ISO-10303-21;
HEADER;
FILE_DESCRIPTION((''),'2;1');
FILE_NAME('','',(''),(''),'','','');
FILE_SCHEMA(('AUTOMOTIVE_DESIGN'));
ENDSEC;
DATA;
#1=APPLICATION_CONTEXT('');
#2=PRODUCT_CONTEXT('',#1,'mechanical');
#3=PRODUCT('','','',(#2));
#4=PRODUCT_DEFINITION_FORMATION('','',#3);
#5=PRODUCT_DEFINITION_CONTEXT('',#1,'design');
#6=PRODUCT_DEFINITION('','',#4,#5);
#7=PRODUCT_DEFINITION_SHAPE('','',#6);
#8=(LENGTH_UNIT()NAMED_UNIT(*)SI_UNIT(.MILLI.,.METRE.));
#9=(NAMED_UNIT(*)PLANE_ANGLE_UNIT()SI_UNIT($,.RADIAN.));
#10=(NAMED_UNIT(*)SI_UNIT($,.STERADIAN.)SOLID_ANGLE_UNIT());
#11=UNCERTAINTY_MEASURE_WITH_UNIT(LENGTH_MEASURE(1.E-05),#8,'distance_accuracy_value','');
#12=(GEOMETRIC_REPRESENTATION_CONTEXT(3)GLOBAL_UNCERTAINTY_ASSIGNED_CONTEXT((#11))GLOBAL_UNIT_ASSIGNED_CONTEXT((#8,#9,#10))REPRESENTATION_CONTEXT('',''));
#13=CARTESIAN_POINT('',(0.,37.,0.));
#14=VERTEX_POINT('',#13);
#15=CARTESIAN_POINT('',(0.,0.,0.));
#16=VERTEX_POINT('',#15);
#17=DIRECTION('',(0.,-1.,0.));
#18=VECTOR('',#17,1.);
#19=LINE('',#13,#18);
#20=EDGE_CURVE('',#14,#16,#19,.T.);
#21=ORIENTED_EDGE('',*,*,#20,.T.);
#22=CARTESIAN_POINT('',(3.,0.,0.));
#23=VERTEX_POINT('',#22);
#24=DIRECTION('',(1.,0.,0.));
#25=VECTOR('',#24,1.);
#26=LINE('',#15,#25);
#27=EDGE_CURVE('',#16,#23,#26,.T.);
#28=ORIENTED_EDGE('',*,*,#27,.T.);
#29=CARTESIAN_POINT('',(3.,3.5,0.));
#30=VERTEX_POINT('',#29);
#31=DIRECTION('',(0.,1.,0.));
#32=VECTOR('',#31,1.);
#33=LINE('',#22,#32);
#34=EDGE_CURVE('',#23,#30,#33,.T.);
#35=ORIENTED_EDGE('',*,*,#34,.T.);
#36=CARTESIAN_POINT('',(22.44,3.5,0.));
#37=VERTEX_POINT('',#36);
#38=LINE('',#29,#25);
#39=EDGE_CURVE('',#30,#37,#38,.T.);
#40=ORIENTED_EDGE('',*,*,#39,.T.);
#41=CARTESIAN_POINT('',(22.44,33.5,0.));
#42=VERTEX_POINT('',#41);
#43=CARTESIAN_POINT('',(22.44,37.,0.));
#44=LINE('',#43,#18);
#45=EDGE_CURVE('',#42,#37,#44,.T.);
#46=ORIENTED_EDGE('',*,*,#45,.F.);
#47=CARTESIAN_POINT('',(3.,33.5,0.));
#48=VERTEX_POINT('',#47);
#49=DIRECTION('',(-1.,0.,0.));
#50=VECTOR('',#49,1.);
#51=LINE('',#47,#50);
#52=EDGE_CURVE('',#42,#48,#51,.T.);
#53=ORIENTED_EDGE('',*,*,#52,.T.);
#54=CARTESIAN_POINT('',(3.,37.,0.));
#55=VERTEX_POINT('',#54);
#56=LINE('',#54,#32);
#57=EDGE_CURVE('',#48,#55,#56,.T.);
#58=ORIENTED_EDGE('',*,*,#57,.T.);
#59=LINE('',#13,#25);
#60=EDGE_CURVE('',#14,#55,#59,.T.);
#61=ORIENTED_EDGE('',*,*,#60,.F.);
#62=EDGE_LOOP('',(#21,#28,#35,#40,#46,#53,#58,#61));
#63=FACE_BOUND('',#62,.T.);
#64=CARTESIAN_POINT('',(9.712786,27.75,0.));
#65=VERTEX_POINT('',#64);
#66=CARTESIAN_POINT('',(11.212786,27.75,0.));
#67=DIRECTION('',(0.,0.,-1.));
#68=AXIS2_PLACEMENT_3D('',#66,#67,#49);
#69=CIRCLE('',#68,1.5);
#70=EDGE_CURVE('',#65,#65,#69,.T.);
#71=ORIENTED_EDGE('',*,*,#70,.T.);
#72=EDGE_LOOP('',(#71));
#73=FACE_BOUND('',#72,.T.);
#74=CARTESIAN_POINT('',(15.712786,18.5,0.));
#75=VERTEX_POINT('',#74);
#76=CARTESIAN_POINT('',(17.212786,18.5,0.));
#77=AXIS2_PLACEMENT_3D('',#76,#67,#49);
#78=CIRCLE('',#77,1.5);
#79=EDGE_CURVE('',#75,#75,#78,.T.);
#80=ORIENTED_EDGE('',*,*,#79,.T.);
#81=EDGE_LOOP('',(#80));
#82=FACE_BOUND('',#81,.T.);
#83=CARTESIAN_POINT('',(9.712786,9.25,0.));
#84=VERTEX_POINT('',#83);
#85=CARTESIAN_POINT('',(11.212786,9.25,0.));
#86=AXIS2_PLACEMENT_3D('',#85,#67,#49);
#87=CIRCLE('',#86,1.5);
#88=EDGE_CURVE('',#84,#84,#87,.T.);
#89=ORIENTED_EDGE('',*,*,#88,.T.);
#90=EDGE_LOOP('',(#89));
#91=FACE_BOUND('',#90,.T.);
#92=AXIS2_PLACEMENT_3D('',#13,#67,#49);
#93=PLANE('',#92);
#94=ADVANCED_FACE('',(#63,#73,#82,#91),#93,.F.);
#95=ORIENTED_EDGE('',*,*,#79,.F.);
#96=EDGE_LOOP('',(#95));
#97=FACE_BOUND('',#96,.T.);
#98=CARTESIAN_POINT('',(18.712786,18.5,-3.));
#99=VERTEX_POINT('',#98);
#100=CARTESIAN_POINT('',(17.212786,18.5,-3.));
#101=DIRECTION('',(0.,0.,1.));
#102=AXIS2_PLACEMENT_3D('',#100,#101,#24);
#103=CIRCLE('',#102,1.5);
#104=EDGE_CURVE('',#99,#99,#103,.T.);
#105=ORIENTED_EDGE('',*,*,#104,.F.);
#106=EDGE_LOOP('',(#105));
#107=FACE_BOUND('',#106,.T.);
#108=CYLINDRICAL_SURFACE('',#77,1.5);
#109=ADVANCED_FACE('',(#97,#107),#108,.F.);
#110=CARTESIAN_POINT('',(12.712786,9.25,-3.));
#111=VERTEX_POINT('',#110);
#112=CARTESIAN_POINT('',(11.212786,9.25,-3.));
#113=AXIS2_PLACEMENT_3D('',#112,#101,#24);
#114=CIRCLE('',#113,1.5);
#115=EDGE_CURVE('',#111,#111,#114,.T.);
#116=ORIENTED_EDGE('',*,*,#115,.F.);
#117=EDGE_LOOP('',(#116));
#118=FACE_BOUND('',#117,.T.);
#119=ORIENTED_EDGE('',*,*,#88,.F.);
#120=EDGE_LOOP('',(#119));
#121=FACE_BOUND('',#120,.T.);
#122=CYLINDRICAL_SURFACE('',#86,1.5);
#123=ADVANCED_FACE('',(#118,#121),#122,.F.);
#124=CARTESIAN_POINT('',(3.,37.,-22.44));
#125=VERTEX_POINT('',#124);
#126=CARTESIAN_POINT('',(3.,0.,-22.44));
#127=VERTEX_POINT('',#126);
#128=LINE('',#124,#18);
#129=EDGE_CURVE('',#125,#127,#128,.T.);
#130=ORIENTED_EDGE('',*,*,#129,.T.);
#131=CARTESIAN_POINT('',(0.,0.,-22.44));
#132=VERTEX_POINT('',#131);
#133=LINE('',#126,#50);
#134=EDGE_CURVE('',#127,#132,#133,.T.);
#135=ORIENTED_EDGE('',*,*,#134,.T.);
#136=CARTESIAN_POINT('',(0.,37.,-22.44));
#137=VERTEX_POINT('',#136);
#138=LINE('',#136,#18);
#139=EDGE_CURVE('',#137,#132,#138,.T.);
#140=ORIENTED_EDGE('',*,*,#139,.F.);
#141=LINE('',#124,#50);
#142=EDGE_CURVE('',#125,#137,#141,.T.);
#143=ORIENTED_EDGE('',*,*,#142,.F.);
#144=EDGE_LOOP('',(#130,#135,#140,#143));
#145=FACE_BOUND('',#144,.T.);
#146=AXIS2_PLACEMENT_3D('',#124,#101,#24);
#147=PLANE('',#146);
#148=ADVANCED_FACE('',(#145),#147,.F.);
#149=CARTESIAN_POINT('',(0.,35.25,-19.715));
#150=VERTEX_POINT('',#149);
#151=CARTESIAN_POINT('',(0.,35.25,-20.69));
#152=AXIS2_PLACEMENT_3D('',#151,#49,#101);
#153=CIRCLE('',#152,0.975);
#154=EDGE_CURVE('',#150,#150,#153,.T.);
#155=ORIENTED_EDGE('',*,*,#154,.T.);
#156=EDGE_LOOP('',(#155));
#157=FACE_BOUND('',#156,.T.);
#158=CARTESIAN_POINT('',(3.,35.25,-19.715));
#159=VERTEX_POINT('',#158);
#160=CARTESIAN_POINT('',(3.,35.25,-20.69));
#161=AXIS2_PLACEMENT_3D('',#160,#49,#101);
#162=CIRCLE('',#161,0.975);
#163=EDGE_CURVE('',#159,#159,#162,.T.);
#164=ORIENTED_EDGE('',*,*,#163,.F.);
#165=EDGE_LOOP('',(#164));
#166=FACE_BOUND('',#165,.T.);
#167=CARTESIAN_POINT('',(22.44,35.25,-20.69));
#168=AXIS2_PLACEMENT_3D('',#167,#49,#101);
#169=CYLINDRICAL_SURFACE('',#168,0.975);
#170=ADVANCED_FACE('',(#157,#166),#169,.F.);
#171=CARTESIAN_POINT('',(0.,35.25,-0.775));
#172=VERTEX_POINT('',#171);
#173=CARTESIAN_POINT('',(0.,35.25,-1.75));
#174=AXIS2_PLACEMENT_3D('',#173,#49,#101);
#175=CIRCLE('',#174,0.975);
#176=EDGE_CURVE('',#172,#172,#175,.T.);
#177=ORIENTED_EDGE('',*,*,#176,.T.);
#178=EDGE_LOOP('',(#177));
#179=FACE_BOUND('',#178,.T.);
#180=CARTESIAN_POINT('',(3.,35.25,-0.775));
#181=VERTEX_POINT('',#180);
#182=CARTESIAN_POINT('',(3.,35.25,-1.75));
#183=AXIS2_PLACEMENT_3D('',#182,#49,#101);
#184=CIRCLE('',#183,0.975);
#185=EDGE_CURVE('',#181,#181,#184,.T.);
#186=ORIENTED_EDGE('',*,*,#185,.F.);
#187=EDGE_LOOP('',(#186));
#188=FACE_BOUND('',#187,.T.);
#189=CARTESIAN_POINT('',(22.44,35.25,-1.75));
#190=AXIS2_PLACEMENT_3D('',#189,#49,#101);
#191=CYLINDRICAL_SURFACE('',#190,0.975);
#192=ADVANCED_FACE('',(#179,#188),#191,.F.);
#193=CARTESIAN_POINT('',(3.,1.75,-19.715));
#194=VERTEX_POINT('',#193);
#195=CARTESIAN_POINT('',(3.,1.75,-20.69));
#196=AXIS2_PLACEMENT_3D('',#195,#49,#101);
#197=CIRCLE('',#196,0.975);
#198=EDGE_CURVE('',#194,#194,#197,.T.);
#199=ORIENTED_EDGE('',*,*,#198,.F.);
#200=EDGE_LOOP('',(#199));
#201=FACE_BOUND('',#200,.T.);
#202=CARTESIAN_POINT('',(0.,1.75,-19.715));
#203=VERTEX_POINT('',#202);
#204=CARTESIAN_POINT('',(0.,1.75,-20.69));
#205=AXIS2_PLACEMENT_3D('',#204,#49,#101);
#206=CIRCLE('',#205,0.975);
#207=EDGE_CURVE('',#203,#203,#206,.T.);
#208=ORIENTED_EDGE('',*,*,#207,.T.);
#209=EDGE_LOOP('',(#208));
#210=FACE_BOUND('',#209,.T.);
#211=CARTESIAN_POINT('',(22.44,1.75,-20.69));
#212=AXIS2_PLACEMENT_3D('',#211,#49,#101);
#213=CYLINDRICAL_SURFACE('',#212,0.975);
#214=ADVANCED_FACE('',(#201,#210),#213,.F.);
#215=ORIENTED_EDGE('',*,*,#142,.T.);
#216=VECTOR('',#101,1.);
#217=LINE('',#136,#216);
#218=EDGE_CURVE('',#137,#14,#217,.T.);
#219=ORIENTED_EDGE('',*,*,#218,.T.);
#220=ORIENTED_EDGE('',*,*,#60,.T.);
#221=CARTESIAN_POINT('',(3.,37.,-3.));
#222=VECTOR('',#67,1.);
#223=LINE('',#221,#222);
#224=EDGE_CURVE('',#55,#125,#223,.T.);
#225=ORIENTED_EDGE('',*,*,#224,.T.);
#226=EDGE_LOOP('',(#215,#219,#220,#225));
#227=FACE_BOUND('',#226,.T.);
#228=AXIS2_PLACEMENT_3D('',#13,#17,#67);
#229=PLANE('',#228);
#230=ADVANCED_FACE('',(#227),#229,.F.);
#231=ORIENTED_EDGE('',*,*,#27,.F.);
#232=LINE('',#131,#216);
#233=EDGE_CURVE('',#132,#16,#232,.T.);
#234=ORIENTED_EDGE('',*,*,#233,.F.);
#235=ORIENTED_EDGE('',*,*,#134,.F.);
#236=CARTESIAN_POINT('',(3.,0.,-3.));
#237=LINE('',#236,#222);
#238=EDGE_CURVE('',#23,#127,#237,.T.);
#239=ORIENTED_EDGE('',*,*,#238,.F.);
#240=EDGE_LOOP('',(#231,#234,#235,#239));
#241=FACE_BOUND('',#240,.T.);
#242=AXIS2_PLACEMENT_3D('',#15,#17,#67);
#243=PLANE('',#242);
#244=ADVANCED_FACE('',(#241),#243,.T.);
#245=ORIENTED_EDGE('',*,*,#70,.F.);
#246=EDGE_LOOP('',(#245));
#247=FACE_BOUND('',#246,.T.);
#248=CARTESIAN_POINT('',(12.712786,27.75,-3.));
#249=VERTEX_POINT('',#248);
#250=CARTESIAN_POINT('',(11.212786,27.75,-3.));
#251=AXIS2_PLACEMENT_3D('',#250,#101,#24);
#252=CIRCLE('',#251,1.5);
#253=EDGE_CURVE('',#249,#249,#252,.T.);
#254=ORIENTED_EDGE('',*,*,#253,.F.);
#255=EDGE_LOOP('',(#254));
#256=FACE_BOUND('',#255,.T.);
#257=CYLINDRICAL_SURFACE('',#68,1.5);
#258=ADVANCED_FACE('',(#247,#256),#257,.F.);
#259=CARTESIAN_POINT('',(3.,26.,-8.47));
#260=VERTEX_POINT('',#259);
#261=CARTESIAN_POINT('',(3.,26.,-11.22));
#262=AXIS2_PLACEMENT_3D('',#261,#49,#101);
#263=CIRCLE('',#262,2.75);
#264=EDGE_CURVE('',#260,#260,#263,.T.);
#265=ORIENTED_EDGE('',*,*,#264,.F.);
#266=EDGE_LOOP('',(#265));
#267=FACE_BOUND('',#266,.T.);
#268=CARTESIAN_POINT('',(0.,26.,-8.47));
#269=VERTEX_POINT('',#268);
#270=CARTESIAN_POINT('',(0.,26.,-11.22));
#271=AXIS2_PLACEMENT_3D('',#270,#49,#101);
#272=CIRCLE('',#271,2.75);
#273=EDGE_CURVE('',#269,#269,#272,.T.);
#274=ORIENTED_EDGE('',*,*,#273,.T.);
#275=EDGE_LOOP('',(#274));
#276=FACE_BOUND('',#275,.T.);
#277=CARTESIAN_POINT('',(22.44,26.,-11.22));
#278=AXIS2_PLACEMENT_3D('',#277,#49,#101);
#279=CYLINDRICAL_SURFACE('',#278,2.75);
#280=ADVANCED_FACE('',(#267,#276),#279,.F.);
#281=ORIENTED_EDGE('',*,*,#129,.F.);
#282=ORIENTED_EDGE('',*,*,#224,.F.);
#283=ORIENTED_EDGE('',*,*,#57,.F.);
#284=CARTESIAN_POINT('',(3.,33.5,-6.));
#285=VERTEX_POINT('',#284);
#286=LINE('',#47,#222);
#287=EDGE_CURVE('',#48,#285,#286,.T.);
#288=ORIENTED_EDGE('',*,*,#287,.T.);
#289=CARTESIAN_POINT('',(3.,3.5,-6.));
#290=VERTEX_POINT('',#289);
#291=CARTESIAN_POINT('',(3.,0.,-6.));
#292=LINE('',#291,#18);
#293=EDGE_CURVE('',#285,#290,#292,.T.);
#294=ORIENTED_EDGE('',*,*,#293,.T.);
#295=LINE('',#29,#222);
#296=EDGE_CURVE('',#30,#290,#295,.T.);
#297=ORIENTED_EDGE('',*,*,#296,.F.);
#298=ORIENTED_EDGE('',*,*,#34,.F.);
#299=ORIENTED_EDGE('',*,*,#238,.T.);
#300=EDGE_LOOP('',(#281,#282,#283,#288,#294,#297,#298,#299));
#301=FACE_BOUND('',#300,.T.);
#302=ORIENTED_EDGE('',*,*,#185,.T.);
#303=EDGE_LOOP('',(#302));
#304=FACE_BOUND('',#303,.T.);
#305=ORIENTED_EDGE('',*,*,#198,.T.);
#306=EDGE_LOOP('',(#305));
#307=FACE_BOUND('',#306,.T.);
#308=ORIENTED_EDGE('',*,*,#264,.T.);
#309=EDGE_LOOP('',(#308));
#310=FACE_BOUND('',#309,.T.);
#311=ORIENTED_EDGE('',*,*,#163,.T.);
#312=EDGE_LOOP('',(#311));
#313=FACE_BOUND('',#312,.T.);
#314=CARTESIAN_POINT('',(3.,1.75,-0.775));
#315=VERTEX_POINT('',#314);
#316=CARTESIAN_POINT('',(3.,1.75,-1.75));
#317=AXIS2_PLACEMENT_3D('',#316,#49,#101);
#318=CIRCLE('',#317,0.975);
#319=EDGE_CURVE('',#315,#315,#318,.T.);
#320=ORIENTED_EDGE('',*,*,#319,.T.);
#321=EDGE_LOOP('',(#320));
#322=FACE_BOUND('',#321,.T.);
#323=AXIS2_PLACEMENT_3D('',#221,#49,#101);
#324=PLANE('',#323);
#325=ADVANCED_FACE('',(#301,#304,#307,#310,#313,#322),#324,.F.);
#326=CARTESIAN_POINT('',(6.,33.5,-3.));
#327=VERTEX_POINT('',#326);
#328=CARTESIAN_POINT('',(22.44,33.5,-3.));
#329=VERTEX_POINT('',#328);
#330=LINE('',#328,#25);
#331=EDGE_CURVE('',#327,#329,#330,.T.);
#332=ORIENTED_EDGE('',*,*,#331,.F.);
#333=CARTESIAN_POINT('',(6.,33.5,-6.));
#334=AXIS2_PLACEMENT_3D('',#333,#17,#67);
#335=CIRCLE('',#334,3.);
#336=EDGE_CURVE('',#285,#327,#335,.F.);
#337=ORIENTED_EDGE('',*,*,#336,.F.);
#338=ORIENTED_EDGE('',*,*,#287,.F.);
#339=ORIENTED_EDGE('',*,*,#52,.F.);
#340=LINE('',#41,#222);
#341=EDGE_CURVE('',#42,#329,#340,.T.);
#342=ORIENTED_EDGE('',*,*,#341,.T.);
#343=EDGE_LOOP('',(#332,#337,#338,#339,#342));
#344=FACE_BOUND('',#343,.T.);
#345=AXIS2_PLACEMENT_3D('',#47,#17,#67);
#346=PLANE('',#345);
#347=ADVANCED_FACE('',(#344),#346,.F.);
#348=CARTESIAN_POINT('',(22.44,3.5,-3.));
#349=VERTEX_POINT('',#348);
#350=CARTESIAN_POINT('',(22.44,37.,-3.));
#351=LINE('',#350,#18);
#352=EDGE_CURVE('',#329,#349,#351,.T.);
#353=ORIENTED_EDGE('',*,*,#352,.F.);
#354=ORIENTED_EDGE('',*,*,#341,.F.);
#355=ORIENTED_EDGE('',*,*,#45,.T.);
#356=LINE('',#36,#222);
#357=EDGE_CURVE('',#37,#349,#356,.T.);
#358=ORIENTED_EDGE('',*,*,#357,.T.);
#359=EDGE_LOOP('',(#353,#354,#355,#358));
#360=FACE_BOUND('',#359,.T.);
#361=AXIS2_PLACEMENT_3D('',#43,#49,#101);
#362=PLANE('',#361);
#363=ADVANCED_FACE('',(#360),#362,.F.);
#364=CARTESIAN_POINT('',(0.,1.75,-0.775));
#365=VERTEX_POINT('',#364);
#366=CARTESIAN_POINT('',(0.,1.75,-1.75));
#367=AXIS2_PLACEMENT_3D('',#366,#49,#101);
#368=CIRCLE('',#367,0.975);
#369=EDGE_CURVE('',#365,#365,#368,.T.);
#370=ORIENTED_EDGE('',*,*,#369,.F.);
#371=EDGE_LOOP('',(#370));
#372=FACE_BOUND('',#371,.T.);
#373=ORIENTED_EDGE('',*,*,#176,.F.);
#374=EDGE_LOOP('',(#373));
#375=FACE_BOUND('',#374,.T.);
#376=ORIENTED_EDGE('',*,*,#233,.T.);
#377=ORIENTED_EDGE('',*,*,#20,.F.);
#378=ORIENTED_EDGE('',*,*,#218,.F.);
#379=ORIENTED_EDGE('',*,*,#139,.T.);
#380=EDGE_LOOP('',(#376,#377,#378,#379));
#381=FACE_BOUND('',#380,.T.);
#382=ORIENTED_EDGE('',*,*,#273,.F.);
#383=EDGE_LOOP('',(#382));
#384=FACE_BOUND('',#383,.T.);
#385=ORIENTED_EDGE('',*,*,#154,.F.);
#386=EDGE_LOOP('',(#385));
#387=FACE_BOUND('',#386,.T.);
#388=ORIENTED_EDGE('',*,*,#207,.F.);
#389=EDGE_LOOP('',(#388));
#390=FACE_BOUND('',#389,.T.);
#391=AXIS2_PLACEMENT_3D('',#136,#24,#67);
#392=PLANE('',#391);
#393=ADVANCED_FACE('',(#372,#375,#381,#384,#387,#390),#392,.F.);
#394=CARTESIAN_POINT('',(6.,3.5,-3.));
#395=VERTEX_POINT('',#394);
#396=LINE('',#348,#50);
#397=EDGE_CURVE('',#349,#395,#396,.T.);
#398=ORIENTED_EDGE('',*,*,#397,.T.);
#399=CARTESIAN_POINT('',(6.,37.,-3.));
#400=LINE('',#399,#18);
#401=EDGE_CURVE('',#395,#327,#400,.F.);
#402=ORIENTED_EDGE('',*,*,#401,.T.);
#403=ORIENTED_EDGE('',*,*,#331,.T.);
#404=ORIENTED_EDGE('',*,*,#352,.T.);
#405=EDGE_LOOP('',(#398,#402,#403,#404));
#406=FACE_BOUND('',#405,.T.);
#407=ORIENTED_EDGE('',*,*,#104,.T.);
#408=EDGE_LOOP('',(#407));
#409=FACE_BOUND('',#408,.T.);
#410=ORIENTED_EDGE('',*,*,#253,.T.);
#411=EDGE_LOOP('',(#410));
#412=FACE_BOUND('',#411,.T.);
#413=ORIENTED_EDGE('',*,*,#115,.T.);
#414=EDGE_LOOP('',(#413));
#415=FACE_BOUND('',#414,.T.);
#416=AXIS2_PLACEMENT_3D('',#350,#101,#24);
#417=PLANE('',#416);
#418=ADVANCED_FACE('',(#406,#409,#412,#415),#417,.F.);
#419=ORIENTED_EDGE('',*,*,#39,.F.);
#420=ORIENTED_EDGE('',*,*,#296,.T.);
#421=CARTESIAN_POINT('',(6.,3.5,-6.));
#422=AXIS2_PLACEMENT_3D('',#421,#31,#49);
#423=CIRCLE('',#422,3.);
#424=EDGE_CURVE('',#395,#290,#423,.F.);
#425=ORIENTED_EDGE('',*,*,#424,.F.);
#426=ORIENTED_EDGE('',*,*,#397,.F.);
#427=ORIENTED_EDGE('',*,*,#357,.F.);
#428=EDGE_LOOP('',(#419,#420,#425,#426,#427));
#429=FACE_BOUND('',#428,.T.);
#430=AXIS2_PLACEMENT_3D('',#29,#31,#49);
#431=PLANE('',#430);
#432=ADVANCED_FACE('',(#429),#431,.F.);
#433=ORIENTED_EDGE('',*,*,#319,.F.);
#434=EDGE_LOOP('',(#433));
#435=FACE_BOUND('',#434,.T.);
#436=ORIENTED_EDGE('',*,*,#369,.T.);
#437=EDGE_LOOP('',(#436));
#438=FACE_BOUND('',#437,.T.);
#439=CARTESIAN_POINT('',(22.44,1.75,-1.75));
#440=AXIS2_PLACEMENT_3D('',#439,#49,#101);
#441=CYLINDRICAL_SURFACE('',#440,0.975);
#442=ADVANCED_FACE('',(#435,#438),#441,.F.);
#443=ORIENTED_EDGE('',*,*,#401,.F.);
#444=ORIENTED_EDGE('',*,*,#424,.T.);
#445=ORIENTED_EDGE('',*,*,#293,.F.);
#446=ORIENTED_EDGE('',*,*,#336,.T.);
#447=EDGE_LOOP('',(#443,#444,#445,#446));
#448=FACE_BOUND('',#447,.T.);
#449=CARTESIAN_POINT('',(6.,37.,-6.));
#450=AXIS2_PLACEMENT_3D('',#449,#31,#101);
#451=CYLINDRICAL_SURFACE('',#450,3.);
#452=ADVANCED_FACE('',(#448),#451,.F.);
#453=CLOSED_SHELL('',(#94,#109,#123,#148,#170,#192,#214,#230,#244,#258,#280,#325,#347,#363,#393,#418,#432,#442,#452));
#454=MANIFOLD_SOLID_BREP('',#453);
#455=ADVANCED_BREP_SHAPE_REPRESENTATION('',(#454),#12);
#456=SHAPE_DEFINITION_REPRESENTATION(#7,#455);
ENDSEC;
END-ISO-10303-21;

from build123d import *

# Parameters (mm, degrees)
BOSS_EXTRUDE1_DEPTH = 37
FILLET1_R           = 3
SKETCH2_R           = 1.5
SKETCH2_W           = 19.44
SKETCH2_H           = 3.5
CUT_EXTRUDE1_DEPTH  = 49.745330033
SKETCH3_R           = 0.975
SKETCH3_R_2         = 2.75
CUT_EXTRUDE2_DEPTH  = 49.745330033


with BuildPart() as part:
    # Sketch1 → Boss-Extrude1 (new body)
    with BuildSketch(Plane(origin=(0, 0, 0), x_dir=(1, 0, 0), z_dir=(0, 1, 0))):
        Polygon((0, 0), (22.44, 0), (22.44, 3), (3, 3), (3, 22.44), (0, 22.44), align=None)
    extrude(amount=BOSS_EXTRUDE1_DEPTH)

    # Fillet1
    fillet1_edges = [part.edges().sort_by_distance(p)[0] for p in [
        (3, 18.5, -3),
    ]]
    fillet(fillet1_edges, radius=FILLET1_R)

    # Sketch2 → Cut-Extrude1 (cut, through all)
    with BuildSketch(Plane(origin=(0, 0, -22.44), x_dir=(-1, 0, 0), z_dir=(0, 0, -1))):
        with Locations((-11.212785563, 27.75)):
            Circle(SKETCH2_R)
        with Locations((-17.212785563, 18.5)):
            Circle(SKETCH2_R)
        with Locations((-11.212785563, 9.25)):
            Circle(SKETCH2_R)
        with Locations((-12.72, 1.75)):
            Rectangle(SKETCH2_W, SKETCH2_H)
        with Locations((-12.72, 35.25)):
            Rectangle(SKETCH2_W, SKETCH2_H)
    extrude(amount=-CUT_EXTRUDE1_DEPTH, mode=Mode.SUBTRACT)

    # Sketch3 → Cut-Extrude2 (cut, through all)
    with BuildSketch(Plane.ZY):
        with Locations((-1.75, 35.25)):
            Circle(SKETCH3_R)
        with Locations((-1.75, 1.75)):
            Circle(SKETCH3_R)
        with Locations((-20.69, 1.75)):
            Circle(SKETCH3_R)
        with Locations((-20.69, 35.25)):
            Circle(SKETCH3_R)
        with Locations((-11.22, 26)):
            Circle(SKETCH3_R_2)
    extrude(amount=-CUT_EXTRUDE2_DEPTH, mode=Mode.SUBTRACT)


solid = part.part
